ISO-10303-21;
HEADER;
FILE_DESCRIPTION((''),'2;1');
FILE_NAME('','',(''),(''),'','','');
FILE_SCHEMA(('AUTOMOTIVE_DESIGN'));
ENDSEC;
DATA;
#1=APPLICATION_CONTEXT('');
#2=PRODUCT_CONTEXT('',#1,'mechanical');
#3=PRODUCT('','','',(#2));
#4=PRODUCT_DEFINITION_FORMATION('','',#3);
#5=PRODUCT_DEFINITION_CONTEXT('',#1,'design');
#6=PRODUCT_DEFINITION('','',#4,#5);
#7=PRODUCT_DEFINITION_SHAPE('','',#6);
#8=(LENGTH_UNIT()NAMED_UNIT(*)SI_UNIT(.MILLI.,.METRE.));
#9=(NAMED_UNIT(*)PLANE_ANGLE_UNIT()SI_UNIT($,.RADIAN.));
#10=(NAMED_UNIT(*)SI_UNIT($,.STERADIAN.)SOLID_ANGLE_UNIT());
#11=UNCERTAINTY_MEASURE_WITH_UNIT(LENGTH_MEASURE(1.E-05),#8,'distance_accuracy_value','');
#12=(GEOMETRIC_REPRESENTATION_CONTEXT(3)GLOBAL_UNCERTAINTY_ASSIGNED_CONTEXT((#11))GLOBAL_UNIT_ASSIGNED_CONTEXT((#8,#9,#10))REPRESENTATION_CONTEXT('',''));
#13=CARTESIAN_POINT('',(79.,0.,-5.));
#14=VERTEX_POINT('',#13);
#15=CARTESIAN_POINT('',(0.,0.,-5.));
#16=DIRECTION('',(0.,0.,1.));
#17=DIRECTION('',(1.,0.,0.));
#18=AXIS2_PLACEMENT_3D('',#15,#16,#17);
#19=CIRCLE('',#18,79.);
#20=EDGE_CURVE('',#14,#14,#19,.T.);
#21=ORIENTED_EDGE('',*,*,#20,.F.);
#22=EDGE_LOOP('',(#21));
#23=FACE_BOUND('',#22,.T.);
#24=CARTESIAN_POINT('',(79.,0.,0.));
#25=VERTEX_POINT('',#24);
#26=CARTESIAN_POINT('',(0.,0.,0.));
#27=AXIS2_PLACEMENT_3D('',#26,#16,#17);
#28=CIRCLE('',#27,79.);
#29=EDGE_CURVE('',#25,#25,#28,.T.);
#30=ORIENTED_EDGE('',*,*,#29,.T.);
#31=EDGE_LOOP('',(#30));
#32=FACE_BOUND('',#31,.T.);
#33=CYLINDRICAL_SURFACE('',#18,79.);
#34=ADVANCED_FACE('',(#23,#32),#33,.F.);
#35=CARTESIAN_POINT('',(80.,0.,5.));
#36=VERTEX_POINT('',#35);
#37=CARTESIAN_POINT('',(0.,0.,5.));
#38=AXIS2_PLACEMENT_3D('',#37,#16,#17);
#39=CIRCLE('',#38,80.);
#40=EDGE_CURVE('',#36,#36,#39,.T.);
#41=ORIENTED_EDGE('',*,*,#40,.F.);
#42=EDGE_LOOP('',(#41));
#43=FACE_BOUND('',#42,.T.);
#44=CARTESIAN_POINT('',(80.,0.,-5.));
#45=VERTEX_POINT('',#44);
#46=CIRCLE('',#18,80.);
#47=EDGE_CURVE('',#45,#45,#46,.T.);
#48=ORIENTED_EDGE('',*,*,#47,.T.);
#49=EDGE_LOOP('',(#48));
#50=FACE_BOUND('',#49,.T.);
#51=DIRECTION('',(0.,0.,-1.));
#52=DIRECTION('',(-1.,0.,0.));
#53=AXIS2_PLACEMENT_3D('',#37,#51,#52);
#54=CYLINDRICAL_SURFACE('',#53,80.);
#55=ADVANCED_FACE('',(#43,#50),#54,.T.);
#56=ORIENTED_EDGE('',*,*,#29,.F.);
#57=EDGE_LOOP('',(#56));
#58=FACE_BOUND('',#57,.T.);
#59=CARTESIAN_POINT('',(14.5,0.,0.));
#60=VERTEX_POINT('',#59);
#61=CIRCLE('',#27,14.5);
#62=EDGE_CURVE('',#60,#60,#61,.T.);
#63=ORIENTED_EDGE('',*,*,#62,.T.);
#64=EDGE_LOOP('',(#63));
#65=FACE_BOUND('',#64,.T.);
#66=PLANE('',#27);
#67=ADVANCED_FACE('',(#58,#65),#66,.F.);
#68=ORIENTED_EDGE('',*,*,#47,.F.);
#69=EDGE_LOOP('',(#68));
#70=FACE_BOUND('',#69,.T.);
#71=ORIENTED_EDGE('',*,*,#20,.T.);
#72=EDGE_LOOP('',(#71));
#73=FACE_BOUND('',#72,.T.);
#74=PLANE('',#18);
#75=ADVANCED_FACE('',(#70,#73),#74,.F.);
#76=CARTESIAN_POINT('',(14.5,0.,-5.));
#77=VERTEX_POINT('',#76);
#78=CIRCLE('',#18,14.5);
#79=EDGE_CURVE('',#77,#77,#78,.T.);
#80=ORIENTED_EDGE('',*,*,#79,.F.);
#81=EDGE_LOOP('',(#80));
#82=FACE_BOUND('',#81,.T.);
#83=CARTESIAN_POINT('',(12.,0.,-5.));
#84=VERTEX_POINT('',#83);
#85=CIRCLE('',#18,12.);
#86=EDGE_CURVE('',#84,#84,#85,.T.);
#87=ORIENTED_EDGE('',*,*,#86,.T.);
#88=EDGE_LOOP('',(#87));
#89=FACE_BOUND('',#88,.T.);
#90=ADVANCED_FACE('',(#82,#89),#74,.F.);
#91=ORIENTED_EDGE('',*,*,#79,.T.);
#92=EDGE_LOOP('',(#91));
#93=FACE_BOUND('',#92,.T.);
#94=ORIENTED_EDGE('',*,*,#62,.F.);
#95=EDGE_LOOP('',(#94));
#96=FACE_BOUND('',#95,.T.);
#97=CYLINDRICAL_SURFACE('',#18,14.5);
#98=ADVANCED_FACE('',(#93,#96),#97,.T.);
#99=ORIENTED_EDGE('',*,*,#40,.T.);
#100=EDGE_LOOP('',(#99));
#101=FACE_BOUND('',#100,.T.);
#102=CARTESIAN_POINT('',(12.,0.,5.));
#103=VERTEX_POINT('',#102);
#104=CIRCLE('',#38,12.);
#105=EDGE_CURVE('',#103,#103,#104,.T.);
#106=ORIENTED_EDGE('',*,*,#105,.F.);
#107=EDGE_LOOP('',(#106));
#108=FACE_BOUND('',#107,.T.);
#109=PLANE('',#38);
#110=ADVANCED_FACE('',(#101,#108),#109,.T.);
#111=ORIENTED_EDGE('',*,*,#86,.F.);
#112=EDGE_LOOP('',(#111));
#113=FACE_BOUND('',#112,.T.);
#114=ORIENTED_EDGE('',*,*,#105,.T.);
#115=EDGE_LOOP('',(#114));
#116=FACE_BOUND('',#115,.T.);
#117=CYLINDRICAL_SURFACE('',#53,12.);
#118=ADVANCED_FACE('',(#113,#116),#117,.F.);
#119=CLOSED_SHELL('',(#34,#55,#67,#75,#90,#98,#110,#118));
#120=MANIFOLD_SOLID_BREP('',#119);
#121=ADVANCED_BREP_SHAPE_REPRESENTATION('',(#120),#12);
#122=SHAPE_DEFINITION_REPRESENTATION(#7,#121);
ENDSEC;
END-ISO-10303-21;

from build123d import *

# Parameters (mm, degrees)
SKETCH1_R           = 80
SKETCH1_R_2         = 12
BOSS_EXTRUDE1_DEPTH = 5
BOSS_EXTRUDE2_START = -10
SKETCH2_R           = 14.5
SKETCH2_R_2         = 12
BOSS_EXTRUDE2_DEPTH = 10
BOSS_EXTRUDE3_START = -10
SKETCH3_R           = 80
SKETCH3_R_2         = 79
BOSS_EXTRUDE3_DEPTH = 10


with BuildPart() as part:
    # Sketch1 → Boss-Extrude1 (new body)
    with BuildSketch(Plane.XY):
        Circle(SKETCH1_R)
        Circle(SKETCH1_R_2, mode=Mode.SUBTRACT)
    extrude(amount=BOSS_EXTRUDE1_DEPTH)

    # Sketch2 → Boss-Extrude2 (add)
    with BuildSketch(Plane.XY.offset(5).offset(BOSS_EXTRUDE2_START)):
        Circle(SKETCH2_R)
        Circle(SKETCH2_R_2, mode=Mode.SUBTRACT)
    extrude(amount=BOSS_EXTRUDE2_DEPTH)

    # Sketch3 → Boss-Extrude3 (add)
    with BuildSketch(Plane.XY.offset(5).offset(BOSS_EXTRUDE3_START)):
        Circle(SKETCH3_R)
        Circle(SKETCH3_R_2, mode=Mode.SUBTRACT)
    extrude(amount=BOSS_EXTRUDE3_DEPTH)


solid = part.part
